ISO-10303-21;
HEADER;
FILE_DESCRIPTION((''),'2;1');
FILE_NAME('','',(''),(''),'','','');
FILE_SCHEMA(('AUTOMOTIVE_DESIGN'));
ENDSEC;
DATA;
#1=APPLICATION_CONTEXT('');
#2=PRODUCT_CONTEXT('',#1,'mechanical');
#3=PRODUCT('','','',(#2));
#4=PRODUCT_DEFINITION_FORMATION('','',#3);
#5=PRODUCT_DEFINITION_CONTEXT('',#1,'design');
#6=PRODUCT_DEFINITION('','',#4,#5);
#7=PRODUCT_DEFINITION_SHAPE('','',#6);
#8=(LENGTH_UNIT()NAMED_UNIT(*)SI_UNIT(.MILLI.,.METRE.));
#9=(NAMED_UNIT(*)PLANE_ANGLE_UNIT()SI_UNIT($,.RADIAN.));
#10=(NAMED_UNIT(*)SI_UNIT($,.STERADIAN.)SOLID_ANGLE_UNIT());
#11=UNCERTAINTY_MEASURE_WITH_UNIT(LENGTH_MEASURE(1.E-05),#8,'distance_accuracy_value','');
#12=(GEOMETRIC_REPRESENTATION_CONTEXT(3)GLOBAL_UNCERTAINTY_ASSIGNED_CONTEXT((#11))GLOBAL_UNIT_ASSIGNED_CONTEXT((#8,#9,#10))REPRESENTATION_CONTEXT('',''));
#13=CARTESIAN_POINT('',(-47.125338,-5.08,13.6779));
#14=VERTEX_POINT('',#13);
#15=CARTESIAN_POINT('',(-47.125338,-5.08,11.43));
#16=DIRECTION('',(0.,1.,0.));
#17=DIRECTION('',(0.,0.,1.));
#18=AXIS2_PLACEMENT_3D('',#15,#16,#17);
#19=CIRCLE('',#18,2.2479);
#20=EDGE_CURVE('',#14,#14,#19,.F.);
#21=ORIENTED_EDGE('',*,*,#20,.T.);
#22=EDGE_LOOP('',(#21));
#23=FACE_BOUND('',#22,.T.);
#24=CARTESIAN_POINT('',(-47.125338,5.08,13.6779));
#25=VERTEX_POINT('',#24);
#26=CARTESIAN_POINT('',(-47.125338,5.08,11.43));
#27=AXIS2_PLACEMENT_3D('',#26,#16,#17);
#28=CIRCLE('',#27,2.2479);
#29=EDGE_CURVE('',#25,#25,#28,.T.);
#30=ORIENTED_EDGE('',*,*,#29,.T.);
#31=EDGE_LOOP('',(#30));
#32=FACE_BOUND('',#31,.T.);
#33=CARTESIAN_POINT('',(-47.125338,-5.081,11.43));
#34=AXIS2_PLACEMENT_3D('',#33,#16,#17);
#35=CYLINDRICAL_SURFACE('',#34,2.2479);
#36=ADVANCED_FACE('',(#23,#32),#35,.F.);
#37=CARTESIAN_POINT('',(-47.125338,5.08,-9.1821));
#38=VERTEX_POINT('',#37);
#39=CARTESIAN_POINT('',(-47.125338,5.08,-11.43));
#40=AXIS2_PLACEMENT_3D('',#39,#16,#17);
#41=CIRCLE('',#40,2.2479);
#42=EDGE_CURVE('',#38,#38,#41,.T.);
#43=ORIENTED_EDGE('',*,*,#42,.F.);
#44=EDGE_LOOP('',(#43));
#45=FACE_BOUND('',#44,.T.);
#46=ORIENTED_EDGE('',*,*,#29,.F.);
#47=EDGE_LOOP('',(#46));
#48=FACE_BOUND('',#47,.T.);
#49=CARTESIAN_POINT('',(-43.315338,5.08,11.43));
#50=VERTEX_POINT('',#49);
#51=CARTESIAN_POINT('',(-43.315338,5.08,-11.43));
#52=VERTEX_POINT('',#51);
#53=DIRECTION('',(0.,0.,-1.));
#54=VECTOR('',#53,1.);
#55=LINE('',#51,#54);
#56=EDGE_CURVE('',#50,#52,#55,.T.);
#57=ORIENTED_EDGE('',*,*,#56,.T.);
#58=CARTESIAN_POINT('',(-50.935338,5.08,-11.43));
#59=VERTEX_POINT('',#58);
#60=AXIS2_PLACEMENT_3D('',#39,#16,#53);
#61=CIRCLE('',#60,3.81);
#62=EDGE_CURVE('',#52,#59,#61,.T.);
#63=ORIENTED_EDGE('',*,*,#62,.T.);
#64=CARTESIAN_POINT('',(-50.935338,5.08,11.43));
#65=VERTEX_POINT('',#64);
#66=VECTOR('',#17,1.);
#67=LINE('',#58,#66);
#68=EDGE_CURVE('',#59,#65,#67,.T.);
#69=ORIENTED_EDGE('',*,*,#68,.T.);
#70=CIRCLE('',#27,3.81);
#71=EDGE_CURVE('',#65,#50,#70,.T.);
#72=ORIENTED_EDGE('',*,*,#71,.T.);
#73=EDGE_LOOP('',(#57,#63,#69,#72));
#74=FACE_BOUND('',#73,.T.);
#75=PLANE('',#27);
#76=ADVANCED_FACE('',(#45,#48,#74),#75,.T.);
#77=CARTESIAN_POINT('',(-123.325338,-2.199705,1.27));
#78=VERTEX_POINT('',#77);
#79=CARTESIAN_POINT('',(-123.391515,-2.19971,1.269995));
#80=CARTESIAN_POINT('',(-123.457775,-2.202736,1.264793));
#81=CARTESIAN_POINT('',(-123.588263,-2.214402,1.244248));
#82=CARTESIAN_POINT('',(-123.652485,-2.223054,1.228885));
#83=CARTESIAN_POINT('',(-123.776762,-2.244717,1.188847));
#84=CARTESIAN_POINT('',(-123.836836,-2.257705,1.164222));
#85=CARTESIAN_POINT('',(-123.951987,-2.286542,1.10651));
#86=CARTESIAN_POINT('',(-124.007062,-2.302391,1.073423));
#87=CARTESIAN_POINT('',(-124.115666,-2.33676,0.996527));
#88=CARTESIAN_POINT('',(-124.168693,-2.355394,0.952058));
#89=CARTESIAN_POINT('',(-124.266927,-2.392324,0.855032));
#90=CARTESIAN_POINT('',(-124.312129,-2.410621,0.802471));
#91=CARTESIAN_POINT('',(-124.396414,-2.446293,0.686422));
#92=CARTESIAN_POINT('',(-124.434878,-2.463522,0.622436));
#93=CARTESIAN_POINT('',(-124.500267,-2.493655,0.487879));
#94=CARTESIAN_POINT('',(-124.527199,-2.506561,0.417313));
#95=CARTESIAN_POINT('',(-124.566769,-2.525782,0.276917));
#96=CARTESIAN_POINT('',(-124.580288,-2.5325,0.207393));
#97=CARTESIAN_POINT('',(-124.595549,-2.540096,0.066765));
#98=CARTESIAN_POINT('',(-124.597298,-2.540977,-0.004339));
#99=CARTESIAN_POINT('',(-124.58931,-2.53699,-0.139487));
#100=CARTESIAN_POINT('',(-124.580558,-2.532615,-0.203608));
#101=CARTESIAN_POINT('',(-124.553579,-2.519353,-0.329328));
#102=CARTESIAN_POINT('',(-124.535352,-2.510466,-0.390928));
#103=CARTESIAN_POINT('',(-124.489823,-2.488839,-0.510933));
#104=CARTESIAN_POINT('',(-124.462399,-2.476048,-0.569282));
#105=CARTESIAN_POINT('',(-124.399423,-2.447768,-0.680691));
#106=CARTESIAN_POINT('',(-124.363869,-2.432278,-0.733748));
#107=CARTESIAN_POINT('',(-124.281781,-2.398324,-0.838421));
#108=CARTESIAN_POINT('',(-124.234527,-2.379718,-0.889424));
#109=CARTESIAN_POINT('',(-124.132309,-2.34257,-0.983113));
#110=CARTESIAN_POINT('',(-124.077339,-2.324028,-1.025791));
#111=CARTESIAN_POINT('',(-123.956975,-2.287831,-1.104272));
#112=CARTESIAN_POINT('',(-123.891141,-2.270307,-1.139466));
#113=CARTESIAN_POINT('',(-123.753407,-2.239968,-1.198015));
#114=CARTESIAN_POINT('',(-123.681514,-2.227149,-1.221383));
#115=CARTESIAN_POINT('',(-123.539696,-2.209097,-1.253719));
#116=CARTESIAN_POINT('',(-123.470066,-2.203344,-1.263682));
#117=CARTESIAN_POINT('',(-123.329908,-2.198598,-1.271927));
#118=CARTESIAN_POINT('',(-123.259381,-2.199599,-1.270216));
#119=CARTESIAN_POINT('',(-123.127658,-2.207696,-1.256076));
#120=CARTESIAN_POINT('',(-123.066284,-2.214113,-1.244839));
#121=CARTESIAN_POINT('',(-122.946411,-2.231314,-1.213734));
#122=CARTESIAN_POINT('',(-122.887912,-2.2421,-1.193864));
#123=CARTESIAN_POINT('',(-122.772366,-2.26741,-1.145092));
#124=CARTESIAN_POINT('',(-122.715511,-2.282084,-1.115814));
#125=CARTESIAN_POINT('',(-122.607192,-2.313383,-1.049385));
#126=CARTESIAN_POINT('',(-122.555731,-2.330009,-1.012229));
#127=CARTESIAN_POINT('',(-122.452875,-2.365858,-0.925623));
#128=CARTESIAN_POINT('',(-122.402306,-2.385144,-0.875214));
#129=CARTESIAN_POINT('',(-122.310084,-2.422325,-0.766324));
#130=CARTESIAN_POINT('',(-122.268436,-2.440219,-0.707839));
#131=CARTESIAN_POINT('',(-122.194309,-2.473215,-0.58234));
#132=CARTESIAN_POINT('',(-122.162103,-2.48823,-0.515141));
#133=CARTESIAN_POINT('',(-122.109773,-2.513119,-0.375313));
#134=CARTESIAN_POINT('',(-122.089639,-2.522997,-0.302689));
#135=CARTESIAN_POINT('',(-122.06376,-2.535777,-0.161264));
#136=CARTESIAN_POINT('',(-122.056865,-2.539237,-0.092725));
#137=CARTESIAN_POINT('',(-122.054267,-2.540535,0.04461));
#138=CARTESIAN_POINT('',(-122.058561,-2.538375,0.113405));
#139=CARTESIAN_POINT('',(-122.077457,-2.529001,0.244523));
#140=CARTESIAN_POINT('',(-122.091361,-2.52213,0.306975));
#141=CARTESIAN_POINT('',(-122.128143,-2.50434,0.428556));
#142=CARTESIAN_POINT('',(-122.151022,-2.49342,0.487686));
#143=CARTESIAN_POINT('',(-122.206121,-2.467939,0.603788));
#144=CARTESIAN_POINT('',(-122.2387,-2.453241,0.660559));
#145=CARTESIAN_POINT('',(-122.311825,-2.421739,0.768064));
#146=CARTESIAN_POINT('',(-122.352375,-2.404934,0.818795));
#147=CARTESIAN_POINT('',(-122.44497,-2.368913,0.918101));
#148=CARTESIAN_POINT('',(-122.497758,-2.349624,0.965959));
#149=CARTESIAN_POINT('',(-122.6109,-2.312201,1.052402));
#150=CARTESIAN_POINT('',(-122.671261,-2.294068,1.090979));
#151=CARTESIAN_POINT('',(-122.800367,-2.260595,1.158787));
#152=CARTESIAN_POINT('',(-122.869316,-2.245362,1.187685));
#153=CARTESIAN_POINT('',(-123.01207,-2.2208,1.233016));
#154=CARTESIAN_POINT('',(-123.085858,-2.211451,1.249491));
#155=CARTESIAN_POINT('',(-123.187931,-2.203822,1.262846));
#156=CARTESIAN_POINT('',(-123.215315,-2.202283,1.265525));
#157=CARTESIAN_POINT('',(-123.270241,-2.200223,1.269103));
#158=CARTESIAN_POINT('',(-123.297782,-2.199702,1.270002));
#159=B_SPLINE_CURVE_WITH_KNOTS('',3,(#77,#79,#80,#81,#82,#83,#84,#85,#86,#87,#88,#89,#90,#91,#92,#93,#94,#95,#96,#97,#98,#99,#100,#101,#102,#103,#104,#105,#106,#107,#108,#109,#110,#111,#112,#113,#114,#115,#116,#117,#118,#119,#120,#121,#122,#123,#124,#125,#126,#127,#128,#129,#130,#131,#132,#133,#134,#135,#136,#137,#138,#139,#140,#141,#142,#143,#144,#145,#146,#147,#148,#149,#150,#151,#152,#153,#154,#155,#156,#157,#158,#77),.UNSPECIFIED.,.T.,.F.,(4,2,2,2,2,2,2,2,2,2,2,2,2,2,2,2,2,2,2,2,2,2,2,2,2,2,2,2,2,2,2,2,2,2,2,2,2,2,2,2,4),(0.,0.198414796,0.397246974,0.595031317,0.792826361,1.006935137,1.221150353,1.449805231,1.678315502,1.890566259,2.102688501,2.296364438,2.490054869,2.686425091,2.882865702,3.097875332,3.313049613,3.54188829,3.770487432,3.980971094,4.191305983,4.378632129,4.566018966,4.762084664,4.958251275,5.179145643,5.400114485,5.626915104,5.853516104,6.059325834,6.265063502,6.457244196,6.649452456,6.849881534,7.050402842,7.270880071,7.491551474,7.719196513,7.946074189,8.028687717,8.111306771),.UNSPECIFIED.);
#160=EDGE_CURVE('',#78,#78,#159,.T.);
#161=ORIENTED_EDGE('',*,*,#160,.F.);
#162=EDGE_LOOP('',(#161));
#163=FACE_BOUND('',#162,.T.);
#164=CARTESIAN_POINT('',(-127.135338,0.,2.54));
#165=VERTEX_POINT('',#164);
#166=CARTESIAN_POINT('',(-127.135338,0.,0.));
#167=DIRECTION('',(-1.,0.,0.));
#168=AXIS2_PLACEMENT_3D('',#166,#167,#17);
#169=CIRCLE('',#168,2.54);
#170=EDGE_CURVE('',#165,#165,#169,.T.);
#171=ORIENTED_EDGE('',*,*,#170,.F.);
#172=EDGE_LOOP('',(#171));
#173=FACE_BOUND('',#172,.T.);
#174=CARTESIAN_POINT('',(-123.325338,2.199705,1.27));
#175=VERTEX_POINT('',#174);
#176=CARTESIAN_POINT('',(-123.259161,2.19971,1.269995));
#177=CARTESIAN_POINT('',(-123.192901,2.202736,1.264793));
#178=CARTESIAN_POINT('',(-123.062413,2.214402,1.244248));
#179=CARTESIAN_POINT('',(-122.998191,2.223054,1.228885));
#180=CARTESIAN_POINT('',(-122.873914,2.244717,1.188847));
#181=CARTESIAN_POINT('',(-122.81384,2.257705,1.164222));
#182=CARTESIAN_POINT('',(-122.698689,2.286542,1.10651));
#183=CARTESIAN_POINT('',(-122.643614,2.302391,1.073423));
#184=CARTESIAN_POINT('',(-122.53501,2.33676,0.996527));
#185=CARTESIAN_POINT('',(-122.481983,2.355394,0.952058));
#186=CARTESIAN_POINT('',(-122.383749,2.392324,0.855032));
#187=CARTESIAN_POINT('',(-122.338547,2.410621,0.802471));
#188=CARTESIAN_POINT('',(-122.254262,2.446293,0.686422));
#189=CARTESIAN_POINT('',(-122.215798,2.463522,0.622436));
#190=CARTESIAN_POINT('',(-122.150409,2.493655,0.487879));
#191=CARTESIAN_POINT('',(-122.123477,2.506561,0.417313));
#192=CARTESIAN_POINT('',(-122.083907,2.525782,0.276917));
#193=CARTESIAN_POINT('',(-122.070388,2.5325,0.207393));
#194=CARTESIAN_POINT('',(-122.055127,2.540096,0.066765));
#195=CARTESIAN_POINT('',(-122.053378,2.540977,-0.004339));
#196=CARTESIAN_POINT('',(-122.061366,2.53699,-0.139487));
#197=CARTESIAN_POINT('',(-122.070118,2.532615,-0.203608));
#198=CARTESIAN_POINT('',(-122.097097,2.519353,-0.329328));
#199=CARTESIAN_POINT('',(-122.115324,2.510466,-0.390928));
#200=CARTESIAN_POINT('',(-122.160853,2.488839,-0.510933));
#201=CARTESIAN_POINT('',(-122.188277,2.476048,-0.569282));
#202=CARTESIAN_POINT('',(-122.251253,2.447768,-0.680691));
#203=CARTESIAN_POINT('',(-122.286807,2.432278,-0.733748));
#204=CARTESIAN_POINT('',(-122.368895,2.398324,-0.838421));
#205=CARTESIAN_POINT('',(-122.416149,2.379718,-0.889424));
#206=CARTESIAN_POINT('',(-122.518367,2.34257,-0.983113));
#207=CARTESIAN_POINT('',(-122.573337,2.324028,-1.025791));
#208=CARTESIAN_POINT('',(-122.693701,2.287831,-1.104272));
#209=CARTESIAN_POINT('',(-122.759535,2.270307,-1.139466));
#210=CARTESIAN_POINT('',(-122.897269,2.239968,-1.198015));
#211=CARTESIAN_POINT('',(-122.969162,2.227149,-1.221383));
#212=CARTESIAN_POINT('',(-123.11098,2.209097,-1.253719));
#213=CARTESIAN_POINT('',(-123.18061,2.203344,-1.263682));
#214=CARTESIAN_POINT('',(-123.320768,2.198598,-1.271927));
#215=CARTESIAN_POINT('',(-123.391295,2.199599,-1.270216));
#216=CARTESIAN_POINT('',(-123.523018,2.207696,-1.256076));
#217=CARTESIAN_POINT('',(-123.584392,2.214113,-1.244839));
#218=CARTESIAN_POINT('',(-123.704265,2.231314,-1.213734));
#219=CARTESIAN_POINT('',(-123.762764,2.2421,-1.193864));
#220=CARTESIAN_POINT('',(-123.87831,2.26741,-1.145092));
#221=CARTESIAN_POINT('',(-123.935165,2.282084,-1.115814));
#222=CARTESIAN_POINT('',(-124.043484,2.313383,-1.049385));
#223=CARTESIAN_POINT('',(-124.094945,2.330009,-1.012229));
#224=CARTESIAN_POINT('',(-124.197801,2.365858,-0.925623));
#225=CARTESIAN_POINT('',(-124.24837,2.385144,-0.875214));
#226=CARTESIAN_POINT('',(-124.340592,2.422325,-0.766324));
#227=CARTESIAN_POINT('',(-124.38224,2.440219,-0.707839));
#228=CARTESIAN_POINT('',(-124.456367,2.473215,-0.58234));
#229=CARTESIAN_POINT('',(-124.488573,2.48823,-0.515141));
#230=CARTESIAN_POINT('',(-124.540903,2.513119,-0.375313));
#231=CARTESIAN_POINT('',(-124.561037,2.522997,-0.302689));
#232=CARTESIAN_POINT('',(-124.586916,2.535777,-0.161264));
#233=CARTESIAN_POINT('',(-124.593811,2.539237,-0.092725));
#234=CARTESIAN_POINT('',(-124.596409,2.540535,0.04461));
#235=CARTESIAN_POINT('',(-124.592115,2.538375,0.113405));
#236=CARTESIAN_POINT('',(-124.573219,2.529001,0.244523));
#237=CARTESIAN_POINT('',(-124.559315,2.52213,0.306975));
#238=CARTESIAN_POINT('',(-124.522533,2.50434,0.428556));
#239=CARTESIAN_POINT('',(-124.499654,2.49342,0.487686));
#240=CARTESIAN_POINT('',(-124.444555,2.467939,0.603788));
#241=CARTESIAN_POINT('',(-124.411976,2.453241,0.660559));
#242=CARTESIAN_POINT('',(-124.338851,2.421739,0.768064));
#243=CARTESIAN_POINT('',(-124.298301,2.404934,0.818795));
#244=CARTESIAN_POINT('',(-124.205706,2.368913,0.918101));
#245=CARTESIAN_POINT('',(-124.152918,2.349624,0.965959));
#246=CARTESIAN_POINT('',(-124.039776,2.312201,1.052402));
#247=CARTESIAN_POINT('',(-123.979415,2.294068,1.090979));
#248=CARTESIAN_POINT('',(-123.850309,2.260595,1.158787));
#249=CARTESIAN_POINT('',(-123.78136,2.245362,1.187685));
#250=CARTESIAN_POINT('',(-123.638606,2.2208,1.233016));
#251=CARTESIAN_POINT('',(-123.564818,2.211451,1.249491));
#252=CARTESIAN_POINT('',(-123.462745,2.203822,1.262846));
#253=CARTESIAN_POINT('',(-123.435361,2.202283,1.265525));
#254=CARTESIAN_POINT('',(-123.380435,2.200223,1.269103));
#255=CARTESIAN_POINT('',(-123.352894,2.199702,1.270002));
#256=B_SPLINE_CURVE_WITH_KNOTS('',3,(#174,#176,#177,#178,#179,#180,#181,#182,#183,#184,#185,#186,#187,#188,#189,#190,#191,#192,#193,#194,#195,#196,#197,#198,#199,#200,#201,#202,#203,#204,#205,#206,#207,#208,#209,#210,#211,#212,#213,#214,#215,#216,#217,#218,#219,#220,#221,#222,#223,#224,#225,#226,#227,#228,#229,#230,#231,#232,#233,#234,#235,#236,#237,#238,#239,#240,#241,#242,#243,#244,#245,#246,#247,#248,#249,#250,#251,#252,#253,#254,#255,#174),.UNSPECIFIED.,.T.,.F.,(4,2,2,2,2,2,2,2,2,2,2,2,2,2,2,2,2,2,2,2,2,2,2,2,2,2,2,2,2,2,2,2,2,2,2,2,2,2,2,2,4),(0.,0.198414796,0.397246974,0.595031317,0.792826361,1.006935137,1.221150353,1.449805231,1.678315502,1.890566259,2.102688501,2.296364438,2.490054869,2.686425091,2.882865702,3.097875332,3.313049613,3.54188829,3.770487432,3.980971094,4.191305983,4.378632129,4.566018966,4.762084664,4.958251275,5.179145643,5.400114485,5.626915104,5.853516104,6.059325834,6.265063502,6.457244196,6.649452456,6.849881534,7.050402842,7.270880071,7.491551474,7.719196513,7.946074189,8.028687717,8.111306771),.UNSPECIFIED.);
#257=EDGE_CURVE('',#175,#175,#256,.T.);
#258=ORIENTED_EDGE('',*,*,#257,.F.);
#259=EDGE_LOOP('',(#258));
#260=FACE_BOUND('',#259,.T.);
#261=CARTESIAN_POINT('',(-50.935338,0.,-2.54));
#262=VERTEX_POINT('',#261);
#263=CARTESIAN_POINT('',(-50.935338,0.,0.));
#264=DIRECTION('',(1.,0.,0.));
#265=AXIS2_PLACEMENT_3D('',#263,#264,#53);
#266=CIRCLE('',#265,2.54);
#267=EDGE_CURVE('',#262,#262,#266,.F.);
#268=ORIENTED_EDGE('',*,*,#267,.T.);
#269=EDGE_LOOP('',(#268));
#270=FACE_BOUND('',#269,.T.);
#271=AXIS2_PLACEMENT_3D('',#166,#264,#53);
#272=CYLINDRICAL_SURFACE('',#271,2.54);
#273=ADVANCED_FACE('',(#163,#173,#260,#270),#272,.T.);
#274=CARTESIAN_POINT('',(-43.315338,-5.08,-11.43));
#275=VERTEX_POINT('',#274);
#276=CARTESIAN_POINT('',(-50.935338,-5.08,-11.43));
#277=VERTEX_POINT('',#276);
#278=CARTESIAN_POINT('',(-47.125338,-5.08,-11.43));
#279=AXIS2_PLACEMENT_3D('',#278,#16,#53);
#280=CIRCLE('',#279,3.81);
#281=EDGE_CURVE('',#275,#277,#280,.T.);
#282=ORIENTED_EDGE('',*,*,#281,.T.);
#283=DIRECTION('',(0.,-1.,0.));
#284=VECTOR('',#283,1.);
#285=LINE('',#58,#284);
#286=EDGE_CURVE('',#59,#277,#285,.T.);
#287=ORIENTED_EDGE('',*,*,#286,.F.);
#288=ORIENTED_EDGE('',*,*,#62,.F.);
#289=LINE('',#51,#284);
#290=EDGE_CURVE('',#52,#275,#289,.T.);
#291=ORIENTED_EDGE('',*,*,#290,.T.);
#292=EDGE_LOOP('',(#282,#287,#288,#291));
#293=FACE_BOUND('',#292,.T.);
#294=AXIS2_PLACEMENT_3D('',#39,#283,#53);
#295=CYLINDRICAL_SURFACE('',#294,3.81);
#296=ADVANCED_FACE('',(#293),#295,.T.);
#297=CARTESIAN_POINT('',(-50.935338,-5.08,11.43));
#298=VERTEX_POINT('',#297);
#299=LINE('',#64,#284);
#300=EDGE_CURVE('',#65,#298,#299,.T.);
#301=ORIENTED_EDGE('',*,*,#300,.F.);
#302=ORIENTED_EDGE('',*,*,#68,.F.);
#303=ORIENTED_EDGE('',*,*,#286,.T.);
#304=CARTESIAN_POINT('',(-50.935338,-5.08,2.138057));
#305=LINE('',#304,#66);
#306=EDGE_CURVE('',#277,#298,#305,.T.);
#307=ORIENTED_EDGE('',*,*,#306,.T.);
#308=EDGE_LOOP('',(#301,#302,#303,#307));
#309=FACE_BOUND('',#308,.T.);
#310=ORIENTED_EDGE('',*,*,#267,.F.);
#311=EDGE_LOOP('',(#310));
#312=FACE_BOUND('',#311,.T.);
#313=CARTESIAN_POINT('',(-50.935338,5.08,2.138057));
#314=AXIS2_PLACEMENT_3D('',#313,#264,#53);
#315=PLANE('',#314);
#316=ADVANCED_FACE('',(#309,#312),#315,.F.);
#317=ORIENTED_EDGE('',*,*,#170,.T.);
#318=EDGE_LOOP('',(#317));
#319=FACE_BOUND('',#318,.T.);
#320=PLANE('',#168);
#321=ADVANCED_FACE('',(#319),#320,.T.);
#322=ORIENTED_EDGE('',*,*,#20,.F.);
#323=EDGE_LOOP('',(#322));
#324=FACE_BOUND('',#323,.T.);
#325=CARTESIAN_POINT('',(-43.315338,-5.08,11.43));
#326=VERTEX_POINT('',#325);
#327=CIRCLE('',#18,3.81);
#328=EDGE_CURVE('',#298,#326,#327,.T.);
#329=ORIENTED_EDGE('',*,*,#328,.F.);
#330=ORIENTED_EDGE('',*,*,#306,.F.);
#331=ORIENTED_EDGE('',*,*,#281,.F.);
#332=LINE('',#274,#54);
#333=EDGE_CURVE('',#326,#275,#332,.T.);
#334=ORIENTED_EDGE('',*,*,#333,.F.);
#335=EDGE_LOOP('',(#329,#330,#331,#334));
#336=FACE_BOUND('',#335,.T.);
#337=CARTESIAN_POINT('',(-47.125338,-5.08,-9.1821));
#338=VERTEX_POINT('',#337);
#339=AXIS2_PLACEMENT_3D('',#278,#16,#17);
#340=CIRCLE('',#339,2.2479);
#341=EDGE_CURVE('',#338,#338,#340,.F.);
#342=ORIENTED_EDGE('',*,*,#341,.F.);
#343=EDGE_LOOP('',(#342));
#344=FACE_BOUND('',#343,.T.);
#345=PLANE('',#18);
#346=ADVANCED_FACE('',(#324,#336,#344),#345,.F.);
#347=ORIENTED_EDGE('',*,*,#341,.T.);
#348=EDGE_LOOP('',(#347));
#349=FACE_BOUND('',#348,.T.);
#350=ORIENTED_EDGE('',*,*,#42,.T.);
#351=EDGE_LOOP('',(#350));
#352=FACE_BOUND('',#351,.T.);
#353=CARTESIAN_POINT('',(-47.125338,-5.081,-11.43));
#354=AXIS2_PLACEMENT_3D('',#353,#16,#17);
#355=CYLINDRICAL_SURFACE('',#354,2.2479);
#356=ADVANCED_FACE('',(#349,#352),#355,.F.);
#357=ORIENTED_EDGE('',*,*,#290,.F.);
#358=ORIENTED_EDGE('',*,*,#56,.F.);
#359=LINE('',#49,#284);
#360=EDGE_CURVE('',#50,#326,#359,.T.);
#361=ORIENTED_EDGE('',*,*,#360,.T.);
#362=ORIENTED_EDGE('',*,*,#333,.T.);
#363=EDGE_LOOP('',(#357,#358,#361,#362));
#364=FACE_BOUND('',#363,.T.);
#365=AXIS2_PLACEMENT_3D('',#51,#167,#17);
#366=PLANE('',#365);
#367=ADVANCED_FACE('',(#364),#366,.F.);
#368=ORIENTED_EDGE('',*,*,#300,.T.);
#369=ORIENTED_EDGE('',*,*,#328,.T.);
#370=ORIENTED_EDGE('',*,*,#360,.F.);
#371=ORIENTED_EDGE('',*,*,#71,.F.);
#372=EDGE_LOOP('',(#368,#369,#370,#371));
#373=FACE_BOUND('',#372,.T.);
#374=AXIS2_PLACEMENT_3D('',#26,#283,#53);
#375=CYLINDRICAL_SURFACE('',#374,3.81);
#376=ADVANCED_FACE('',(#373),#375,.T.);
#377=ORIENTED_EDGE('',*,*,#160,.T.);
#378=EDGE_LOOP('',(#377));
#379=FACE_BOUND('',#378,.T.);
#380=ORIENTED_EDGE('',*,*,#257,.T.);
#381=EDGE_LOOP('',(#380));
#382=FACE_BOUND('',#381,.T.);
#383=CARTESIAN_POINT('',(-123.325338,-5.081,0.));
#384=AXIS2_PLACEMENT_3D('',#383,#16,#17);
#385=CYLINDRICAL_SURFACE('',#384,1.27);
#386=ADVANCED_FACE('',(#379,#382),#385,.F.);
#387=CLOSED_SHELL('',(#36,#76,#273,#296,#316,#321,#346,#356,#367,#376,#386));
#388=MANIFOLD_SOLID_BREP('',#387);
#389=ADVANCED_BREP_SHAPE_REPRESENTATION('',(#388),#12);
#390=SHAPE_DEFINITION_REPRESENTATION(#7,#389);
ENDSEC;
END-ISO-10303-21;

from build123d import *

# Parameters (mm, degrees)
BOSS_EXTRUDE1_DEPTH = 5.08
CUT_EXTRUDE1_REACH  = 12.16
SKETCH4_R           = 2.2479
SKETCH5_R           = 2.54
BOSS_EXTRUDE2_DEPTH = 76.2
CUT_EXTRUDE5_REACH  = 9.62
SKETCH6_R           = 1.27


with BuildPart() as part:
    # Sketch2 → Boss-Extrude1 (new body, symmetric)
    with BuildSketch(Plane(origin=(0, 0, 0), x_dir=(1, 0, 0), z_dir=(0, 1, 0))):
        with BuildLine():
            Line((-50.935337995, 2.421627074), (-50.935337995, -2.138056527))
            Line((-50.935337995, -2.138056527), (-50.935337995, -11.43))
            ThreePointArc((-50.935337995, -11.43), (-47.125337995, -15.24), (-43.315337995, -11.43))
            Line((-43.315337995, -11.43), (-43.315337995, 11.43))
            ThreePointArc((-43.315337995, 11.43), (-47.125337995, 15.24), (-50.935337995, 11.43))
            Line((-50.935337995, 11.43), (-50.935337995, 2.421627074))
        make_face()
    extrude(amount=BOSS_EXTRUDE1_DEPTH, both=True)

    # Sketch4 → Cut-Extrude1 (cut, up to next)
    with BuildSketch(Plane(origin=(0, 5.08, 0), x_dir=(1, 0, 0), z_dir=(0, 1, 0)), mode=Mode.PRIVATE) as cut_extrude1_sk1:
        with Locations((-47.125337995, 11.43)):
            Circle(SKETCH4_R)
    cut_extrude1_tool1 = extrude(cut_extrude1_sk1.sketch, amount=-CUT_EXTRUDE1_REACH, mode=Mode.PRIVATE) & part.part
    add(cut_extrude1_tool1.solids().sort_by_distance((-47.125338, 5.08, -11.43))[0], mode=Mode.SUBTRACT)
    # Sketch4 → Cut-Extrude1 (cut, up to next)
    with BuildSketch(Plane(origin=(0, 5.08, 0), x_dir=(1, 0, 0), z_dir=(0, 1, 0)), mode=Mode.PRIVATE) as cut_extrude1_sk2:
        with Locations((-47.125337995, -11.43)):
            Circle(SKETCH4_R)
    cut_extrude1_tool2 = extrude(cut_extrude1_sk2.sketch, amount=-CUT_EXTRUDE1_REACH, mode=Mode.PRIVATE) & part.part
    add(cut_extrude1_tool2.solids().sort_by_distance((-47.125338, 5.08, 11.43))[0], mode=Mode.SUBTRACT)

    # Sketch5 → Boss-Extrude2 (add)
    with BuildSketch(Plane.ZY.offset(50.935337995)):
        Circle(SKETCH5_R)
    extrude(amount=BOSS_EXTRUDE2_DEPTH)

    # Sketch6 → Cut-Extrude5 (cut, up to next)
    with BuildSketch(Plane(origin=(0, 2.54, 0), x_dir=(1, 0, 0), z_dir=(0, 1, 0)), mode=Mode.PRIVATE) as cut_extrude5_sk1:
        with Locations((-123.325337995, 0)):
            Circle(SKETCH6_R)
    cut_extrude5_tool1 = extrude(cut_extrude5_sk1.sketch, amount=-CUT_EXTRUDE5_REACH, mode=Mode.PRIVATE) & part.part
    add(cut_extrude5_tool1.solids().sort_by_distance((-123.325338, 2.54, 0))[0], mode=Mode.SUBTRACT)


solid = part.part
